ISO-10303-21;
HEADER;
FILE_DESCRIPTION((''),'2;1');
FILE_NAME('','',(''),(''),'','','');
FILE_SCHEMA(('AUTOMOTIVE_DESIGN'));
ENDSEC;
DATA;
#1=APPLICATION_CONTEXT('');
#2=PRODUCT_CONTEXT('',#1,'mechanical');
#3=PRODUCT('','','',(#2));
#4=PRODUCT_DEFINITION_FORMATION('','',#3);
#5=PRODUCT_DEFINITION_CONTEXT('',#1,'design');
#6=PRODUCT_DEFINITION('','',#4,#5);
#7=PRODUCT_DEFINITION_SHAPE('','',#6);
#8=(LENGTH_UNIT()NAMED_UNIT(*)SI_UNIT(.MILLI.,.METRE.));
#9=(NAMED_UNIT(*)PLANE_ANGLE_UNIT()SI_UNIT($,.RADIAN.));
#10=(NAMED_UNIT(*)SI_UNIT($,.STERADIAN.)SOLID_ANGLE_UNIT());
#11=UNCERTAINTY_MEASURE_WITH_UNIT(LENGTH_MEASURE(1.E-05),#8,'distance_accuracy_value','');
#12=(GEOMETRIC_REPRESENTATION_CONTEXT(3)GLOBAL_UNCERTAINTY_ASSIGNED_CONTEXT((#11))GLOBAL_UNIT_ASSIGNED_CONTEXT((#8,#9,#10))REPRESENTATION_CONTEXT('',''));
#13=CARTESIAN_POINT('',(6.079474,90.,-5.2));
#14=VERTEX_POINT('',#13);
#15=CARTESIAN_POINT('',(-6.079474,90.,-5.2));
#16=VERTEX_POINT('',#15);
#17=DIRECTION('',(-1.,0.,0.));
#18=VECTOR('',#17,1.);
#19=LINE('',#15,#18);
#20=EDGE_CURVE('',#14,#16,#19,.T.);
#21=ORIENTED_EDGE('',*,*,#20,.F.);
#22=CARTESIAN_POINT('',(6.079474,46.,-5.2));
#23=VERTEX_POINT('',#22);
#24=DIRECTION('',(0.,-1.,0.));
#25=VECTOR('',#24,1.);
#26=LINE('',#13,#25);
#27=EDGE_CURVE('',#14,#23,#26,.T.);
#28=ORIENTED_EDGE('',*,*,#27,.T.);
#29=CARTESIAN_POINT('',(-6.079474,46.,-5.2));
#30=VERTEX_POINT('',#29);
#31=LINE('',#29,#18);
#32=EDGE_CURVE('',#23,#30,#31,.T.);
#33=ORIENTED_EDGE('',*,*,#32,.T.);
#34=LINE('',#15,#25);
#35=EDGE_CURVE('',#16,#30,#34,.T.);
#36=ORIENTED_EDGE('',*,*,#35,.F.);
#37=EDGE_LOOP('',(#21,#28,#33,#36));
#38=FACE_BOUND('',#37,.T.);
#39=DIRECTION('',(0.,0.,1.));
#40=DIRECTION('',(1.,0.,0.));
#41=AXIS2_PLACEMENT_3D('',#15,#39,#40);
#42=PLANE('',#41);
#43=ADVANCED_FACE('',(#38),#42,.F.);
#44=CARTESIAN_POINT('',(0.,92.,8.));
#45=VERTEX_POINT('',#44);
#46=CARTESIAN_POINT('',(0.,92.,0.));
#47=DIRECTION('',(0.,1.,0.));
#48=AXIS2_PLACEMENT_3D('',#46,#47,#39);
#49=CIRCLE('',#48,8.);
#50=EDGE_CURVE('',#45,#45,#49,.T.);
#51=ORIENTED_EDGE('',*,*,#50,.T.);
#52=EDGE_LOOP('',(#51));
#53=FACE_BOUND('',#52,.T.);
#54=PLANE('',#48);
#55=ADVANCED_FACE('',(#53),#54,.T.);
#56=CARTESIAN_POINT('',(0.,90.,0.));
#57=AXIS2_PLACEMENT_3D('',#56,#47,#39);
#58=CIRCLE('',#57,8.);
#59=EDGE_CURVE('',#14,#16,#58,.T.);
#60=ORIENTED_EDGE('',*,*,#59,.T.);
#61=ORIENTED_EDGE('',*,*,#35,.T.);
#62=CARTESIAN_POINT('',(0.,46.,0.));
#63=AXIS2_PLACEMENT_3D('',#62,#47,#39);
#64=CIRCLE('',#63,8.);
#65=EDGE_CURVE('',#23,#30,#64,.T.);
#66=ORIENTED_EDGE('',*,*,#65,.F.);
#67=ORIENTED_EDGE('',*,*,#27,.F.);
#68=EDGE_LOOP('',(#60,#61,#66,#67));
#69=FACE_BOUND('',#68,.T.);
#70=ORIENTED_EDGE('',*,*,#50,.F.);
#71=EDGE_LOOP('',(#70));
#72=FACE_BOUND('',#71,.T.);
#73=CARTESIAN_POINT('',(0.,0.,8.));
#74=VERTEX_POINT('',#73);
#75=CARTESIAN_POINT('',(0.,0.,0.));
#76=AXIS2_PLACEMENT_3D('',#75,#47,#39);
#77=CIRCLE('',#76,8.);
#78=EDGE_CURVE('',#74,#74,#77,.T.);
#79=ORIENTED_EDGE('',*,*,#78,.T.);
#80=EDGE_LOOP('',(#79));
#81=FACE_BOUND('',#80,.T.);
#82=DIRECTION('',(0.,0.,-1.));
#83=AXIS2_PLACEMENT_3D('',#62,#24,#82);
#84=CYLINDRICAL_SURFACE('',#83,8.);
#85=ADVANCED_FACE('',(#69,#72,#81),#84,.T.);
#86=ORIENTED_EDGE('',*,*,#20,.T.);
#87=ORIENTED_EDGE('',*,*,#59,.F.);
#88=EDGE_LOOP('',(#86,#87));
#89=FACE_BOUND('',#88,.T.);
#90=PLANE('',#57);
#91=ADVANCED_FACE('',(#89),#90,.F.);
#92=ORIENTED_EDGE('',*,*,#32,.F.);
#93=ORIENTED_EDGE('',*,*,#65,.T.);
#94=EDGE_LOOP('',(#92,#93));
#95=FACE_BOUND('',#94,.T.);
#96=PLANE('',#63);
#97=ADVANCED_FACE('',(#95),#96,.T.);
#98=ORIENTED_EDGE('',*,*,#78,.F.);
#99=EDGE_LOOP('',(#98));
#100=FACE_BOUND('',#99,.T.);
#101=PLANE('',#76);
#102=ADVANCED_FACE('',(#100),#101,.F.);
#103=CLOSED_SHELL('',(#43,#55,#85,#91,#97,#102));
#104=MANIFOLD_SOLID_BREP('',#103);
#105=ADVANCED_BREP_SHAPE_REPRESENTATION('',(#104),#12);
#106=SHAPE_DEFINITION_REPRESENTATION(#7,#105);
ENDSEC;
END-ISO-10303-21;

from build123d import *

# Parameters (mm, degrees)
SKETCH1_R           = 8
BOSS_EXTRUDE1_DEPTH = 46
BOSS_EXTRUDE2_DEPTH = 44
SKETCH3_R           = 8
BOSS_EXTRUDE3_DEPTH = 2


with BuildPart() as part:
    # Sketch1 → Boss-Extrude1 (new body)
    with BuildSketch(Plane(origin=(0, 0, 0), x_dir=(1, 0, 0), z_dir=(0, 1, 0))):
        Circle(SKETCH1_R)
    extrude(amount=BOSS_EXTRUDE1_DEPTH)

    # Sketch2 → Boss-Extrude2 (add)
    with BuildSketch(Plane(origin=(0, 46, 0), x_dir=(1, 0, 0), z_dir=(0, 1, 0))):
        with BuildLine():
            Line((-6.079473661, 5.2), (6.079473661, 5.2))
            ThreePointArc((6.079473661, 5.2), (0, -8), (-6.079473661, 5.2))
        make_face()
    extrude(amount=BOSS_EXTRUDE2_DEPTH)

    # Sketch3 → Boss-Extrude3 (add)
    with BuildSketch(Plane(origin=(0, 90, 0), x_dir=(1, 0, 0), z_dir=(0, 1, 0))):
        Circle(SKETCH3_R)
    extrude(amount=BOSS_EXTRUDE3_DEPTH)


solid = part.part
